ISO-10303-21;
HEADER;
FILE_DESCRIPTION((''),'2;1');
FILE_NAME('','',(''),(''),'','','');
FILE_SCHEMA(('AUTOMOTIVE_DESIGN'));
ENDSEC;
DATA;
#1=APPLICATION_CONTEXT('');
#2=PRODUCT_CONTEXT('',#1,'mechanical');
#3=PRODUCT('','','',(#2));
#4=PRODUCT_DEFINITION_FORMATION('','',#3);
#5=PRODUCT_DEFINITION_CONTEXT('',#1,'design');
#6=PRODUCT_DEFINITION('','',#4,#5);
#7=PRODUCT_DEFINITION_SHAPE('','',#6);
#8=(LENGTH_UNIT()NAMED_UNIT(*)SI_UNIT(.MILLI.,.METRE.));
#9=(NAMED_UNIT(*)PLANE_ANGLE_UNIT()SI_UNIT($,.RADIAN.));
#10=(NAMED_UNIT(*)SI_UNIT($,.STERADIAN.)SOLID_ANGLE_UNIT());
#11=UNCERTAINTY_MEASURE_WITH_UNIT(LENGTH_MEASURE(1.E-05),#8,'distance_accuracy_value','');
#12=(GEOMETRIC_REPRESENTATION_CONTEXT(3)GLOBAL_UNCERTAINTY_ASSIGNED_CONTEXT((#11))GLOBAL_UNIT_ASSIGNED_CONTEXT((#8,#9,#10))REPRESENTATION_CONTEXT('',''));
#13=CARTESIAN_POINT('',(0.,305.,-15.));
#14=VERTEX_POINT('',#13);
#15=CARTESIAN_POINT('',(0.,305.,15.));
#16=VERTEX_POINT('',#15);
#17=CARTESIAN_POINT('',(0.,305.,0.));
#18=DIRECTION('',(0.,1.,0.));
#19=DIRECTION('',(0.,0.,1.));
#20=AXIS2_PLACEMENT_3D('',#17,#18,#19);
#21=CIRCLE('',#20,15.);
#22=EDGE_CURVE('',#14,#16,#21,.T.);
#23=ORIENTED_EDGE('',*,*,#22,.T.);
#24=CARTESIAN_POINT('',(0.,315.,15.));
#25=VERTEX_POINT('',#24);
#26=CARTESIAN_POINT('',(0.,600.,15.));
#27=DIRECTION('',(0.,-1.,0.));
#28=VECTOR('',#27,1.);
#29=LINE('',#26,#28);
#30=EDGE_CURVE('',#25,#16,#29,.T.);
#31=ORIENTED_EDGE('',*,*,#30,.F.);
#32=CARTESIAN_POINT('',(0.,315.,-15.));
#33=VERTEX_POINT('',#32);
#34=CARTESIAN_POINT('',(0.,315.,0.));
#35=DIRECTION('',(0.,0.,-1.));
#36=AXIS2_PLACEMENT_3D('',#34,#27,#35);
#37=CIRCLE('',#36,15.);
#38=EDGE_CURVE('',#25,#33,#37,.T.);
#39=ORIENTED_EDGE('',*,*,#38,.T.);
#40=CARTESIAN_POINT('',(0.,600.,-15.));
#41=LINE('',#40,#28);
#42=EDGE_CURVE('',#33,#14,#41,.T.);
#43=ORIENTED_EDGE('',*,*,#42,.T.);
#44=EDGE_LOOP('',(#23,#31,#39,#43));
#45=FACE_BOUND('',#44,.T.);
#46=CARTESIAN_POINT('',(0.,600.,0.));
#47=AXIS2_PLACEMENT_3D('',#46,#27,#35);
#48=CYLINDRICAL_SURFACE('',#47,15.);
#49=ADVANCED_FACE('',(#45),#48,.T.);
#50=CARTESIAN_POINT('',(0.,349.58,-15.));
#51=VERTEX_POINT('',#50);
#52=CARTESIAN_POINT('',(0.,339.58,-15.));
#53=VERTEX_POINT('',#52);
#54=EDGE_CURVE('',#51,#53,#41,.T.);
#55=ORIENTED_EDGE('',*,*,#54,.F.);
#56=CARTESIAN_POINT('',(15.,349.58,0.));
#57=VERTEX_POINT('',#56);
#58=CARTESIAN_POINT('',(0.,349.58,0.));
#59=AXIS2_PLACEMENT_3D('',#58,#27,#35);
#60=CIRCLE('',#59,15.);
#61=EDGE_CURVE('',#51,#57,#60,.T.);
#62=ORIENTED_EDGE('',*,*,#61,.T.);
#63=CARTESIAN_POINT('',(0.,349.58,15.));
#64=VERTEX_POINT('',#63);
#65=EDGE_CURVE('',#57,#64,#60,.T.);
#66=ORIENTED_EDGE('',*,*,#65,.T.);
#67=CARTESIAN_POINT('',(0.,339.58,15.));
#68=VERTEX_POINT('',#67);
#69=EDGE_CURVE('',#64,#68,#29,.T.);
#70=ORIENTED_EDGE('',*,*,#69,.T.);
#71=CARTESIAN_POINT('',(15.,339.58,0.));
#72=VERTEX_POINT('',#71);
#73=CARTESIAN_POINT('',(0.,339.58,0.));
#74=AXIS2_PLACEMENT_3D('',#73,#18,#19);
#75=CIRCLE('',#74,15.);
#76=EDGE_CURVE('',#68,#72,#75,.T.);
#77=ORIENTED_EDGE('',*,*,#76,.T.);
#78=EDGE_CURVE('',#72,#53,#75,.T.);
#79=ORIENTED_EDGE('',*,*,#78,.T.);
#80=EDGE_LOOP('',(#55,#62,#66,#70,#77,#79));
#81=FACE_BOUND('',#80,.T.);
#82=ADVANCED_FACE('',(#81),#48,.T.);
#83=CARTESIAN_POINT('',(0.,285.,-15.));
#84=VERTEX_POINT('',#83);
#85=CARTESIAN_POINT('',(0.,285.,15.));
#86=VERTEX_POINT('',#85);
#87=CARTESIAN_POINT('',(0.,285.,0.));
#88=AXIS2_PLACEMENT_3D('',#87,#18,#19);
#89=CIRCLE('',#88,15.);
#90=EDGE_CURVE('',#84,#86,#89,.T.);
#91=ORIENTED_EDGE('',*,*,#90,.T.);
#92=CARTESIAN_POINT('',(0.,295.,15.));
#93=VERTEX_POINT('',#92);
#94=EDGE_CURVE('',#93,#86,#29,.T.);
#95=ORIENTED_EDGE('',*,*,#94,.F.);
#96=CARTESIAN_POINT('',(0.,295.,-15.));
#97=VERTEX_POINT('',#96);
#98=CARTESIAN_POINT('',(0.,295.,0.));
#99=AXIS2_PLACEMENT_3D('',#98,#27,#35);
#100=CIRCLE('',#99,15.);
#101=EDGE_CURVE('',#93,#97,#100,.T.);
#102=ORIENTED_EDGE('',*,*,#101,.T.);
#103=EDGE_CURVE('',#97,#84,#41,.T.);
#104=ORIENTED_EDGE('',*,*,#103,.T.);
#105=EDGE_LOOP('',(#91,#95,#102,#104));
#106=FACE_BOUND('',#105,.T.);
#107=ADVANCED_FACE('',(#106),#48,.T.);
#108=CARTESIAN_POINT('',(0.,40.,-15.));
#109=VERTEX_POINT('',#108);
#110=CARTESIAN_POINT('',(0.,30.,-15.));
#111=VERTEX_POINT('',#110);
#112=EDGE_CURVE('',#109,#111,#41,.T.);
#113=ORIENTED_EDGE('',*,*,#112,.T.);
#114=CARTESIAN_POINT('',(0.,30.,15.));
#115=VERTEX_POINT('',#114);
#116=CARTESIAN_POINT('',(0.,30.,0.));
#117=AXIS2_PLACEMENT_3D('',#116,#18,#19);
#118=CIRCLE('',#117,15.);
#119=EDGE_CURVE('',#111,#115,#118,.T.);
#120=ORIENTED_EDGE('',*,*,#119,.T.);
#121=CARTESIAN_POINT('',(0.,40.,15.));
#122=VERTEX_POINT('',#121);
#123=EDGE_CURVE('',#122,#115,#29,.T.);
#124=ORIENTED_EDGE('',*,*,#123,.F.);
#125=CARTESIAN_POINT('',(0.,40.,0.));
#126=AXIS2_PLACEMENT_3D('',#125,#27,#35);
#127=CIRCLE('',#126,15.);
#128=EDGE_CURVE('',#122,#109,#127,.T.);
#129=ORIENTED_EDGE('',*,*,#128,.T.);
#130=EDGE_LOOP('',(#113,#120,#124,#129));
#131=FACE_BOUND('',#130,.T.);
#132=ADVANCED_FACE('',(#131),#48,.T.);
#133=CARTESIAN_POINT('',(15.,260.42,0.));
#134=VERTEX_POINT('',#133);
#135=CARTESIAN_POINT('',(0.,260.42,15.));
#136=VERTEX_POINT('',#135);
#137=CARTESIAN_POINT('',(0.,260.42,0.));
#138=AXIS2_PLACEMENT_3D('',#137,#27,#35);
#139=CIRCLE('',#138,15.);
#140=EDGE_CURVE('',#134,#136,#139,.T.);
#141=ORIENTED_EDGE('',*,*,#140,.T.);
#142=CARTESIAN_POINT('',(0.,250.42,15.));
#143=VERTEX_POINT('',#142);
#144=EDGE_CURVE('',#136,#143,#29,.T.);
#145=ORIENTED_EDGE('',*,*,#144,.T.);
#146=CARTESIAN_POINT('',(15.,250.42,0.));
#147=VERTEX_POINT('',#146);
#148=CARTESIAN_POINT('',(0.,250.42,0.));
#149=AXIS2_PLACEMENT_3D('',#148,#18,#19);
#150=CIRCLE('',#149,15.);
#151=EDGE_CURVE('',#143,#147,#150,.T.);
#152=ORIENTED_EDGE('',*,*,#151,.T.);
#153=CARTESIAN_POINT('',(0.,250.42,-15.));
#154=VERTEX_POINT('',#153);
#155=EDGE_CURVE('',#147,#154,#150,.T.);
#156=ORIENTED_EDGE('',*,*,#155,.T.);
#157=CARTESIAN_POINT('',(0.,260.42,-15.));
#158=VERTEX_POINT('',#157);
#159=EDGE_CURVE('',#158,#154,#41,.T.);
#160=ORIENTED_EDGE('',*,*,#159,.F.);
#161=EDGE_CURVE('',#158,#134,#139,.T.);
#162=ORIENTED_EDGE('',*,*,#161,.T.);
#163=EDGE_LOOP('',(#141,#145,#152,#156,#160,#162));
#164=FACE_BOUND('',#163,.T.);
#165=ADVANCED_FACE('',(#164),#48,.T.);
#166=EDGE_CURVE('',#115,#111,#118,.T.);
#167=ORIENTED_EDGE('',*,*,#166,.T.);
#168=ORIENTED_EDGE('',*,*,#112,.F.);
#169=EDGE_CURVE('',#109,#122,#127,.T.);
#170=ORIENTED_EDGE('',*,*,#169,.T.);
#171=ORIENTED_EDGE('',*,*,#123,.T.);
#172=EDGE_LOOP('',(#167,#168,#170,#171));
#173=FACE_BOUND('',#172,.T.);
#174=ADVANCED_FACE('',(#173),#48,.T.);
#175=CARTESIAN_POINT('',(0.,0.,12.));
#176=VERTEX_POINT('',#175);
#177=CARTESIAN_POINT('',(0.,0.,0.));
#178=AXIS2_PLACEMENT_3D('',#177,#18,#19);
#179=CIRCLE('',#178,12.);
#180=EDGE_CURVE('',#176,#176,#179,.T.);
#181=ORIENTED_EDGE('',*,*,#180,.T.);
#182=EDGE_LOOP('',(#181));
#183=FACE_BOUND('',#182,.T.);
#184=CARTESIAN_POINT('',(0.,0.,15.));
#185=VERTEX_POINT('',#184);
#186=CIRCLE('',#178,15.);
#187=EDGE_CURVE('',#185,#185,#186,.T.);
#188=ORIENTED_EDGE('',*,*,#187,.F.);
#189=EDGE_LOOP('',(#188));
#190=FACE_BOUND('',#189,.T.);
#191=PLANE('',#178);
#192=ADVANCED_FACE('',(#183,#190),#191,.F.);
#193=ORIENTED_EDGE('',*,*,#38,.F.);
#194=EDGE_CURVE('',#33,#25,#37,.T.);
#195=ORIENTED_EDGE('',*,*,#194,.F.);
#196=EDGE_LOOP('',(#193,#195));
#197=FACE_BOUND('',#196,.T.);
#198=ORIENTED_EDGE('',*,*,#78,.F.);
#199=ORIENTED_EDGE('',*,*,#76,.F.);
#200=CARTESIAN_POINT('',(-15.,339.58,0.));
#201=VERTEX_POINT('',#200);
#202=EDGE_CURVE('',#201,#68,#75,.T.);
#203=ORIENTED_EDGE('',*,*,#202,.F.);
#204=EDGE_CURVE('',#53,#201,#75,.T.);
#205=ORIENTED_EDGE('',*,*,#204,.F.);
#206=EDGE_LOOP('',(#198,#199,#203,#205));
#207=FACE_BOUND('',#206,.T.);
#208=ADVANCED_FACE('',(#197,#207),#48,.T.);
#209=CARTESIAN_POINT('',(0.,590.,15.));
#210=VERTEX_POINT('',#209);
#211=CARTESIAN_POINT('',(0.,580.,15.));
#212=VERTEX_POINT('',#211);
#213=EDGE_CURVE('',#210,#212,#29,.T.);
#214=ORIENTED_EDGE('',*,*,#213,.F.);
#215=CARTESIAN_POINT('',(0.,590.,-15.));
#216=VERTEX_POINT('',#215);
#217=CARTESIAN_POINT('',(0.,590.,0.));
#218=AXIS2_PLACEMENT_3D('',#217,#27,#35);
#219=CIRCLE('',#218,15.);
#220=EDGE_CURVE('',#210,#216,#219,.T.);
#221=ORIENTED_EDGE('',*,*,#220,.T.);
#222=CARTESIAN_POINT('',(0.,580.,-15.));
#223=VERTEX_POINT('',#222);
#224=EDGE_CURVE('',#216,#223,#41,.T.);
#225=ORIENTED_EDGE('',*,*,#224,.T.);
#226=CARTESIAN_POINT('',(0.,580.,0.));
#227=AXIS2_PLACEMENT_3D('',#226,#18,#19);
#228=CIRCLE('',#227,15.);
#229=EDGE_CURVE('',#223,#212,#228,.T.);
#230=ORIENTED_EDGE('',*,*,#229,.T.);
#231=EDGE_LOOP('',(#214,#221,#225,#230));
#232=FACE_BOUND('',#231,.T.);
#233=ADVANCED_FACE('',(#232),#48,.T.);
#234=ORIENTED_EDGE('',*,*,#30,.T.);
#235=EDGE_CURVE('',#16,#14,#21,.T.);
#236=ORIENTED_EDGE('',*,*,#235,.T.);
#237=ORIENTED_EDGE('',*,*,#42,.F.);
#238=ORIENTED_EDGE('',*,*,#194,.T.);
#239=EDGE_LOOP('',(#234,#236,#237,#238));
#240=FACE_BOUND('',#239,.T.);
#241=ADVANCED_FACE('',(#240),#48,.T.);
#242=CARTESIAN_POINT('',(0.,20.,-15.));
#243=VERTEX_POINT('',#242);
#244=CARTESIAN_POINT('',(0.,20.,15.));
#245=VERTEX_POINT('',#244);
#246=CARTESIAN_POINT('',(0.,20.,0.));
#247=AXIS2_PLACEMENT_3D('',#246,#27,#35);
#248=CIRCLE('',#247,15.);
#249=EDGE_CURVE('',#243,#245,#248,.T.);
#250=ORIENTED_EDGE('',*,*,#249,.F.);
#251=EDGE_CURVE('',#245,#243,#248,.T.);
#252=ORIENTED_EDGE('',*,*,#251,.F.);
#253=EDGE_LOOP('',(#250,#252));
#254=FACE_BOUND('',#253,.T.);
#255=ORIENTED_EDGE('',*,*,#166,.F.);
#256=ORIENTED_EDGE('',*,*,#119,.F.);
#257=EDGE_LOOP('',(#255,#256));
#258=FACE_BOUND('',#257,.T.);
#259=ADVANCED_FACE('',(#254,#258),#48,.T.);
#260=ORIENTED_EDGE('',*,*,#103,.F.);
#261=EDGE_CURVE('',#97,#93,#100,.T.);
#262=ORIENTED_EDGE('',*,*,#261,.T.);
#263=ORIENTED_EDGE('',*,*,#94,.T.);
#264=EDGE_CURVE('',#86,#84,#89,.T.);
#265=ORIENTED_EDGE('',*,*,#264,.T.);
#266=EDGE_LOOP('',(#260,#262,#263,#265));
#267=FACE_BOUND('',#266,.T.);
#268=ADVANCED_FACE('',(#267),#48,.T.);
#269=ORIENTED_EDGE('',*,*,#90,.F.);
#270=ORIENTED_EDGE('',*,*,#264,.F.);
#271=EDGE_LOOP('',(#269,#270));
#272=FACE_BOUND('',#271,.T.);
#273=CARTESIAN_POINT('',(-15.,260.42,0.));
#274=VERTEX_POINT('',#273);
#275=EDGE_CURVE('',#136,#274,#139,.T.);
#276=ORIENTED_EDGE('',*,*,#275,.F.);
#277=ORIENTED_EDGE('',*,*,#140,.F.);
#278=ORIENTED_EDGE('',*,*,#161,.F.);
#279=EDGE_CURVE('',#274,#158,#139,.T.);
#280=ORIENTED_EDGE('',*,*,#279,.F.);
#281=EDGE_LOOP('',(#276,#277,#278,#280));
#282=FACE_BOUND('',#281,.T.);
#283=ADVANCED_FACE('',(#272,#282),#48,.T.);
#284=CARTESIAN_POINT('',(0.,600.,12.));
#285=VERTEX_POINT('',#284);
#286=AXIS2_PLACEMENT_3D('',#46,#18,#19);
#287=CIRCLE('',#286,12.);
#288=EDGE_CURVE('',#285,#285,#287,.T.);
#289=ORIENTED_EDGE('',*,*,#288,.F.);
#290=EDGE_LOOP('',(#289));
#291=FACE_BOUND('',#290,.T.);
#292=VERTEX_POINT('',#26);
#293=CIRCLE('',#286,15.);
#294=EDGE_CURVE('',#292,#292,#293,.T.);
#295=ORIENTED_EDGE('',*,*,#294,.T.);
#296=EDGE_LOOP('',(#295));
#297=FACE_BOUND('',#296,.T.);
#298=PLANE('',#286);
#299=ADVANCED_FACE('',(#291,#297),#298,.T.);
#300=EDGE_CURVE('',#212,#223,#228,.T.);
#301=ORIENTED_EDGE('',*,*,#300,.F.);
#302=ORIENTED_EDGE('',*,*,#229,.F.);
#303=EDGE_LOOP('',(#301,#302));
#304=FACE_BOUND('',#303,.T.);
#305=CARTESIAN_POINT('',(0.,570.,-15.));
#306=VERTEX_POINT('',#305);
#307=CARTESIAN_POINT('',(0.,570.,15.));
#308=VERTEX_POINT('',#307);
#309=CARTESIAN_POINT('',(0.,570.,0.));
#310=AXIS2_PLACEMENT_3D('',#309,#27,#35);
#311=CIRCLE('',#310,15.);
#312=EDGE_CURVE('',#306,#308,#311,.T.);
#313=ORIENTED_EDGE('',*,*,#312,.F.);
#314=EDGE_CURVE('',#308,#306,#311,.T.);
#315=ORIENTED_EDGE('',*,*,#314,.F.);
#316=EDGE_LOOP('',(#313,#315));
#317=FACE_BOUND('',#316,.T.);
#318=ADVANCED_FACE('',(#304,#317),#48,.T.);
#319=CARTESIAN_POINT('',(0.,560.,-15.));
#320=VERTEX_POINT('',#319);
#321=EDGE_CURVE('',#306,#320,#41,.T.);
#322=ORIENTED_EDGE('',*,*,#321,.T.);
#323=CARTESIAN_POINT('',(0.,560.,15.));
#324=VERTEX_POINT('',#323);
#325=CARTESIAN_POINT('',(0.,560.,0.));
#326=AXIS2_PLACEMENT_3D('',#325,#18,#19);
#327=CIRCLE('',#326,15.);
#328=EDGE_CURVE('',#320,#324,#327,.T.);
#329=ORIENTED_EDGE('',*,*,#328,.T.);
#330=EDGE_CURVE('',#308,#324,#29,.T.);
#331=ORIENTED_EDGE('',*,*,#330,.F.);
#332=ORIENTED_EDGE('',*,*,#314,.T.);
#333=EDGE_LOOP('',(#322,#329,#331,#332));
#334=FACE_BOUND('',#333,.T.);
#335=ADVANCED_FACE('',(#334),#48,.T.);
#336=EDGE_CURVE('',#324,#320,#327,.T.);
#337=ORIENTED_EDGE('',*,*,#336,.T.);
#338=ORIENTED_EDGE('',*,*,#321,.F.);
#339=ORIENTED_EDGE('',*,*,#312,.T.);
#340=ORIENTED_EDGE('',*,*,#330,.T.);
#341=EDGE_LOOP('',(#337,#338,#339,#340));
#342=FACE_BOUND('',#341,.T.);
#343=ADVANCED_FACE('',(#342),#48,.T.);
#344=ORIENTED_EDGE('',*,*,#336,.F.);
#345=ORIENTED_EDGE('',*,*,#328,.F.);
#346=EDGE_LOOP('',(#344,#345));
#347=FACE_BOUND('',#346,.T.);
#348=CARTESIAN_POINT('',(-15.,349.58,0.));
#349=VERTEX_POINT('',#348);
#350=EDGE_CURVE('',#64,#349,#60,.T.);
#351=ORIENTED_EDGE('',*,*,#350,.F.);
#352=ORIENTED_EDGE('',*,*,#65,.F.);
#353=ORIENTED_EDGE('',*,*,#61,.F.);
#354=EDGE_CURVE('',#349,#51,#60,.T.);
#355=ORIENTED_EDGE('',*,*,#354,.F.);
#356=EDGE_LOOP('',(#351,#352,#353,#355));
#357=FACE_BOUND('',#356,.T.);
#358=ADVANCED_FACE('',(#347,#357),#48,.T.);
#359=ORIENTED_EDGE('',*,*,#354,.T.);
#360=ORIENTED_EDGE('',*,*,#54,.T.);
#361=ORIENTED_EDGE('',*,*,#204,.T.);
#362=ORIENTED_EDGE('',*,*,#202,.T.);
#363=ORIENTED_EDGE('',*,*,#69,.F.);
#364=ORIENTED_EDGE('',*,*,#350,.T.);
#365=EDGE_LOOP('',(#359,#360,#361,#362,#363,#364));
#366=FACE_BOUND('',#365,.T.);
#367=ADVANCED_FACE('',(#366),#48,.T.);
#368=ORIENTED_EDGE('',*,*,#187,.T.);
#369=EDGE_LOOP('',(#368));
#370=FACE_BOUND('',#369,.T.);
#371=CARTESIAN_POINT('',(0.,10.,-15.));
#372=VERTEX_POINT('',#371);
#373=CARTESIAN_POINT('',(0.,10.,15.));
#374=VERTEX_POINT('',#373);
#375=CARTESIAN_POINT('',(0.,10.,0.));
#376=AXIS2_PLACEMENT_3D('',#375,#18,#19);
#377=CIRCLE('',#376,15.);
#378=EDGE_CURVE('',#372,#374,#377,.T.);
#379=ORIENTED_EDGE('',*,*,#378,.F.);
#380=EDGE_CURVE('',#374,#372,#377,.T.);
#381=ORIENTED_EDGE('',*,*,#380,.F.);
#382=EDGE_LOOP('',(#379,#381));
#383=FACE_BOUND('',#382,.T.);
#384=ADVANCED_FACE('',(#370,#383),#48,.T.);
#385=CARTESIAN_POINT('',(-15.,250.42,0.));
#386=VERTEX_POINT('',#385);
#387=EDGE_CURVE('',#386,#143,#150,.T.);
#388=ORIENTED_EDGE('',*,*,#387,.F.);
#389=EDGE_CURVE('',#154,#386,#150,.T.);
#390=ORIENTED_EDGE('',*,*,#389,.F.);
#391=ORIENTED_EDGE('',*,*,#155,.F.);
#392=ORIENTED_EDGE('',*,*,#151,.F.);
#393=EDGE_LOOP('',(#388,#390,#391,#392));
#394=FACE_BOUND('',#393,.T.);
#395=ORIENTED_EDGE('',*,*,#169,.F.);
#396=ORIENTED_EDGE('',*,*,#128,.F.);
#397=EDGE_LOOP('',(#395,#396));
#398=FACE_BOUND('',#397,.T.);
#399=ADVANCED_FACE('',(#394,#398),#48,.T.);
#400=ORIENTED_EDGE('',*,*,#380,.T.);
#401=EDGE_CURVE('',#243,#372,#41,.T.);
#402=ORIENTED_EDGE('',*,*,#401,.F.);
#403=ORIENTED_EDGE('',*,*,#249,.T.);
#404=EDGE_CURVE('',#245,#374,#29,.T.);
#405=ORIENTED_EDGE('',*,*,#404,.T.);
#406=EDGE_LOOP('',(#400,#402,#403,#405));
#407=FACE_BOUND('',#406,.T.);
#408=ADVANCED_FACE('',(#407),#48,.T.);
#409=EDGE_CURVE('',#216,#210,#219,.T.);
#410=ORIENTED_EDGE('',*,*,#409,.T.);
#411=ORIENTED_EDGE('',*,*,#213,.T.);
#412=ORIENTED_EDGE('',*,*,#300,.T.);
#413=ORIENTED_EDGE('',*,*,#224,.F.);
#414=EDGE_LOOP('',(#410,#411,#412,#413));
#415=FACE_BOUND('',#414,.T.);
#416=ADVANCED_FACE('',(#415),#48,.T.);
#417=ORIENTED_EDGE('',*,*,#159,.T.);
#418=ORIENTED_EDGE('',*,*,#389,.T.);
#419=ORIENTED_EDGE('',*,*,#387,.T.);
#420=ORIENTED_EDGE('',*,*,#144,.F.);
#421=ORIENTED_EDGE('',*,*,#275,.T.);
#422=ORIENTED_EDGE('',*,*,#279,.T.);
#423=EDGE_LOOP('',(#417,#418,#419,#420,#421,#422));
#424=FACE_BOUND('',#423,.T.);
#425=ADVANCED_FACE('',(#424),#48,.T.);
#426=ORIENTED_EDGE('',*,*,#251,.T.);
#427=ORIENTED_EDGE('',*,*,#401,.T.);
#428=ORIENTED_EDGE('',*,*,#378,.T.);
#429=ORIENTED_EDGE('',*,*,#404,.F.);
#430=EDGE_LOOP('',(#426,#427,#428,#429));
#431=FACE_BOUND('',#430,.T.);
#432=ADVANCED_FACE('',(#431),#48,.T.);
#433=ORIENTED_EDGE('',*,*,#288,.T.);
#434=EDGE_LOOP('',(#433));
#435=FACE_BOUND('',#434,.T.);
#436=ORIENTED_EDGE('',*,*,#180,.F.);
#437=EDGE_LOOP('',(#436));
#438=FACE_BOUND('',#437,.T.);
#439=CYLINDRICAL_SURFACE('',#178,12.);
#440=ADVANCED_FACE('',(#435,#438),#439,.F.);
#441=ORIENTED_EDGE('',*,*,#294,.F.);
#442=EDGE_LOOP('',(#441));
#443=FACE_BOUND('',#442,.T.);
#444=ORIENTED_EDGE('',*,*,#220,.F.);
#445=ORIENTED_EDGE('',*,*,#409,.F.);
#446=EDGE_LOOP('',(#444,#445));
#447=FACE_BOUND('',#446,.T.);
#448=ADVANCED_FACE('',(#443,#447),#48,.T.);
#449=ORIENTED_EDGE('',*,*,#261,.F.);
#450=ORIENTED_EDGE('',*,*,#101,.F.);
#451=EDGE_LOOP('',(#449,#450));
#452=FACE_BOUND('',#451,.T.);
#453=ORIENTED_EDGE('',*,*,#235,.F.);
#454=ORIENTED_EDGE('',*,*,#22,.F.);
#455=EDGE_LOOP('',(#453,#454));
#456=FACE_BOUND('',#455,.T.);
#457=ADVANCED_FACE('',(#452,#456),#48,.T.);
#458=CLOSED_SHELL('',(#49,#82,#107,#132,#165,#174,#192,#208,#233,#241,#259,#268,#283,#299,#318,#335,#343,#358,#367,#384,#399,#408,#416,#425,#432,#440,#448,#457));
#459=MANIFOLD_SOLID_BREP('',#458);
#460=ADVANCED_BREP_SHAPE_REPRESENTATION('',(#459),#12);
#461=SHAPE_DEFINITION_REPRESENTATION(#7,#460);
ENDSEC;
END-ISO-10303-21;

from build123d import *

# Parameters (mm, degrees)
SKETCH1_R           = 15
BOSS_EXTRUDE1_DEPTH = 600
SKETCH5_R           = 12
CUT_EXTRUDE1_DEPTH  = 600


with BuildPart() as part:
    # Sketch1 → Boss-Extrude1 (new body)
    with BuildSketch(Plane(origin=(0, 0, 0), x_dir=(1, 0, 0), z_dir=(0, 1, 0))):
        with Locations(Location((0, 0, 0), (0, 0, 270))):
            Circle(SKETCH1_R)
    extrude(amount=BOSS_EXTRUDE1_DEPTH)

    # Sketch5 → Cut-Extrude1 (cut)
    with BuildSketch(Plane(origin=(0, 600, 0), x_dir=(1, 0, 0), z_dir=(0, 1, 0))):
        with Locations(Location((0, 0, 0), (0, 0, 270))):
            Circle(SKETCH5_R)
    extrude(amount=-CUT_EXTRUDE1_DEPTH, mode=Mode.SUBTRACT)


solid = part.part
